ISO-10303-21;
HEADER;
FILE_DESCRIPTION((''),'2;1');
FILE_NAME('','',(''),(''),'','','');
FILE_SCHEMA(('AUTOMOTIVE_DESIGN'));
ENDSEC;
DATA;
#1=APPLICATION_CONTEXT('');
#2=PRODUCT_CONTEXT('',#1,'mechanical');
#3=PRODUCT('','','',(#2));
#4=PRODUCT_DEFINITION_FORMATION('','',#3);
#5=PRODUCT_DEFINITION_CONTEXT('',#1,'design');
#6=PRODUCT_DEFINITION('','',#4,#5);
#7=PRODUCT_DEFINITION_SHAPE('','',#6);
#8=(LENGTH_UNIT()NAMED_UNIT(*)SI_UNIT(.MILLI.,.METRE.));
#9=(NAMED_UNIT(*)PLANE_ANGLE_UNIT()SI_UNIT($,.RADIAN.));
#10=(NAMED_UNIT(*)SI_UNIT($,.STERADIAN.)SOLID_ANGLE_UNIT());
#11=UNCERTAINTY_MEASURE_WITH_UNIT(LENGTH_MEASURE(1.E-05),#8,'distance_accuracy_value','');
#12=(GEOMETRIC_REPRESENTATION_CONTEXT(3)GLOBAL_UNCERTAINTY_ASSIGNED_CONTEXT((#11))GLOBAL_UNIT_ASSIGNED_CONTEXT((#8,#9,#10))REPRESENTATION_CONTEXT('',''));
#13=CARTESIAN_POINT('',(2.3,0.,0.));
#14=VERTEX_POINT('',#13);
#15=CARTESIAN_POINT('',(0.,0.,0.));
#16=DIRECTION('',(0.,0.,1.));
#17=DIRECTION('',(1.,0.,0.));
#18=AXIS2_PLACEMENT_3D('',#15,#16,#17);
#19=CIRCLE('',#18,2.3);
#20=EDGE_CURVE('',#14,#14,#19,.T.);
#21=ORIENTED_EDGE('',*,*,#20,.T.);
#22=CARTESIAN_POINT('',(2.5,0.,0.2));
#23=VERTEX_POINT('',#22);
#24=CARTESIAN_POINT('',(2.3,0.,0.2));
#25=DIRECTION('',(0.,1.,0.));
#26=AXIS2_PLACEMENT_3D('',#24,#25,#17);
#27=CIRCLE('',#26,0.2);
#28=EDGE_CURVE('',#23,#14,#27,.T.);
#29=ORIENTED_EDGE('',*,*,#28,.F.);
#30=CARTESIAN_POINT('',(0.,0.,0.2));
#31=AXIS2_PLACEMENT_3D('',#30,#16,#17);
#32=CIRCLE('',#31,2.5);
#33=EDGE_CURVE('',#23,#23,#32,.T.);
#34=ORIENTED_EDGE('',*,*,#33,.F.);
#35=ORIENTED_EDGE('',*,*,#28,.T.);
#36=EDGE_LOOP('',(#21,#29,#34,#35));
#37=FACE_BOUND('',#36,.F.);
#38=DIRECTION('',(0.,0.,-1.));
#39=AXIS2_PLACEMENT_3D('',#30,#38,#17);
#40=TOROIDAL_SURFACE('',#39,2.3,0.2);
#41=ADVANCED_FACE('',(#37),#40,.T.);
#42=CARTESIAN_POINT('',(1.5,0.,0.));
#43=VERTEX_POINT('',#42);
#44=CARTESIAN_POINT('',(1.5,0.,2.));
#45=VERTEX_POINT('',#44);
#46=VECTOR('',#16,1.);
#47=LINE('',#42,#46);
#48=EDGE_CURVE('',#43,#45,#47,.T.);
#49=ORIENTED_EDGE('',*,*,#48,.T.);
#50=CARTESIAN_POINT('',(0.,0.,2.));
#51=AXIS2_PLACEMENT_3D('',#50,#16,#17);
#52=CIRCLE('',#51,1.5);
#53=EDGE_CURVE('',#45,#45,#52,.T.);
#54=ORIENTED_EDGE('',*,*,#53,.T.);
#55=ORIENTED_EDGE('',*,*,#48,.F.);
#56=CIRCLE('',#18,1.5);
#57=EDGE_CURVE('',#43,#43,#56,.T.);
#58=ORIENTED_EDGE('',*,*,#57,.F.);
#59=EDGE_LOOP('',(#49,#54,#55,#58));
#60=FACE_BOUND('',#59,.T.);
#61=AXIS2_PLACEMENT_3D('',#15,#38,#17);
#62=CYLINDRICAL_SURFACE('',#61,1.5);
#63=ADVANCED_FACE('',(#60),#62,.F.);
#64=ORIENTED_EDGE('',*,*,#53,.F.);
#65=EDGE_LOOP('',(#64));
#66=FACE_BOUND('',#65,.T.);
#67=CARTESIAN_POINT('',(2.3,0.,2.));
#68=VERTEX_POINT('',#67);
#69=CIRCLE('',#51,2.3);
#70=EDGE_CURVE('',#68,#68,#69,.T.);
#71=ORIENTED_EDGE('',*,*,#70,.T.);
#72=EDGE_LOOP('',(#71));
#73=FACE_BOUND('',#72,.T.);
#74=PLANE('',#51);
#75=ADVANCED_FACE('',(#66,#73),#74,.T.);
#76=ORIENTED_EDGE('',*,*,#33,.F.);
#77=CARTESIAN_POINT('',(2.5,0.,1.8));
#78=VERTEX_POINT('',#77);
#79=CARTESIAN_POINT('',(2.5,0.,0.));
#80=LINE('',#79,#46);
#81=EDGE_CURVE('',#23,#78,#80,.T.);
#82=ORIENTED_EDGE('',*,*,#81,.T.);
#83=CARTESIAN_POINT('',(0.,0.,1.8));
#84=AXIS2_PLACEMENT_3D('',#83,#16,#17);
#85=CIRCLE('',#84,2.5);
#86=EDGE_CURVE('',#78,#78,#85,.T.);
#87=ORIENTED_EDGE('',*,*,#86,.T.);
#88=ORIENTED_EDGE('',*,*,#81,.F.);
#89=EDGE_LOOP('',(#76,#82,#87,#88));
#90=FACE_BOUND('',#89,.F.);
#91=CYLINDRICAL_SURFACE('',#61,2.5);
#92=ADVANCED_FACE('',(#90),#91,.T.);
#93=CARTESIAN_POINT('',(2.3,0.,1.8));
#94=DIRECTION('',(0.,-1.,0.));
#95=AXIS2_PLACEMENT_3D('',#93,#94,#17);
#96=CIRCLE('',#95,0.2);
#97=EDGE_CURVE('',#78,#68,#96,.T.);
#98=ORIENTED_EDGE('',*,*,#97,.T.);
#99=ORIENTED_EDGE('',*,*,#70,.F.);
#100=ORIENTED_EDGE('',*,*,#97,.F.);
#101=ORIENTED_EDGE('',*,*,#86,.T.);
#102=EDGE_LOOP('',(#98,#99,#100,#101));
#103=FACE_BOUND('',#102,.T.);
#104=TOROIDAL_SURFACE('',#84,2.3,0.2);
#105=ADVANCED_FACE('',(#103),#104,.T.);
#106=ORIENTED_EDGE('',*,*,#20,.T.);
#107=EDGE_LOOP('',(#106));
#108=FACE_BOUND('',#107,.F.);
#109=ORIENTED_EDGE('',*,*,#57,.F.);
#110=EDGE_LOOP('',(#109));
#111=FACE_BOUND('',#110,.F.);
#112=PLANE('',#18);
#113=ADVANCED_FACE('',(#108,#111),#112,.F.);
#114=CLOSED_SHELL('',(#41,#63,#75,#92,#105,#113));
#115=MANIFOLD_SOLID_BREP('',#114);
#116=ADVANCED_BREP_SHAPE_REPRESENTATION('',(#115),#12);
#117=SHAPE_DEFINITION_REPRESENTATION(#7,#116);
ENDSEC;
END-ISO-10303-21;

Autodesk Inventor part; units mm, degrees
ref_plane "YZ Plane" through (0, 0, 0) normal (1, 0, 0) x (0, 1, 0)
ref_plane "XZ Plane" through (0, 0, 0) normal (0, 1, 0) x (-1, 0, 0)
ref_plane "XY Plane" through (0, 0, 0) normal (0, 0, 1) x (1, 0, 0)
sketch "スケッチ1" plane through (0, 0, 0) normal (0, 0, 1) x (1, 0, 0)
  circle A0 centre (0, 0) radius 1.5
  circle A1 centre (0, 0) radius 2.5
  dimension "d0" = 3
  dimension "d1" = 5
extrude "押し出し1" add sketch "スケッチ1" along normal blind 2
fillet "フィレット1" radius 0.2 2 edges at (-2.5, 0, 2) (-2.5, 0, 0)
properties part number "スペーサー中空M6L2樹脂" material "アセタール樹脂、黒"
